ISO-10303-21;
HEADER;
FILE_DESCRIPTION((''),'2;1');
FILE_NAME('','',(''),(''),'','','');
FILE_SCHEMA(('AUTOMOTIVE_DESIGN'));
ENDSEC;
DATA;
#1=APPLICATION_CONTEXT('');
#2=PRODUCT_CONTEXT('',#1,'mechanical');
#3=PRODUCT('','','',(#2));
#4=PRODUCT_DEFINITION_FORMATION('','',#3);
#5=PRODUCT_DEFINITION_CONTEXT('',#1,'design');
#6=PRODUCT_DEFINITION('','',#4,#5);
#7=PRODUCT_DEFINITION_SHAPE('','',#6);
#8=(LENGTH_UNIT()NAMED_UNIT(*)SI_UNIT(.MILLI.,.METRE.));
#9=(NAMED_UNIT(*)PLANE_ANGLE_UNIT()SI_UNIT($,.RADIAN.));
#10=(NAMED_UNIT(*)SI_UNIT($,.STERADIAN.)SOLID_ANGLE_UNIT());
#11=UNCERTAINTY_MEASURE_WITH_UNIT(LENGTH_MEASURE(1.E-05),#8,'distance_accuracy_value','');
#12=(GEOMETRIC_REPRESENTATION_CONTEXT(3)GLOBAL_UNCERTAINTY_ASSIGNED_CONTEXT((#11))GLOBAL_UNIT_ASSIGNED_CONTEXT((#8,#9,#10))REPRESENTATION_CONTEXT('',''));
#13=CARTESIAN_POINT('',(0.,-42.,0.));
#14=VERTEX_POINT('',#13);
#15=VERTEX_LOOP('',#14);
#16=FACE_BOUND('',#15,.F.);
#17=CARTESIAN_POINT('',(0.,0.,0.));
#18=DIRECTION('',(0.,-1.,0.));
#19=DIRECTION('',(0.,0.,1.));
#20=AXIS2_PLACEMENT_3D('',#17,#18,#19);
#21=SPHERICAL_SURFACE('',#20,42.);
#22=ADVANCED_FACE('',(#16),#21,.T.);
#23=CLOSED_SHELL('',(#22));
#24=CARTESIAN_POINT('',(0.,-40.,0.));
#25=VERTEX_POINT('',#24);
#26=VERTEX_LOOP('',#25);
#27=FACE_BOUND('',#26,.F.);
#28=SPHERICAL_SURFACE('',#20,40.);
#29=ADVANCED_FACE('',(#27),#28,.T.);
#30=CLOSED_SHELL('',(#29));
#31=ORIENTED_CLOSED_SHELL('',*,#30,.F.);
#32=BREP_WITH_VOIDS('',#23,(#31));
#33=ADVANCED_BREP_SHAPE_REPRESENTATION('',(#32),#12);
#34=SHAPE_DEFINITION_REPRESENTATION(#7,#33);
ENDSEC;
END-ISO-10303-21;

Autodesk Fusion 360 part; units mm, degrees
sketch "スケッチ1" plane through (0, 0, 0) normal (1, 0, 0) x (0, 0, -1)
  arc A0 (0, 42) -> (0, -42) centre (0, 0) ccw
  arc A1 (0, 40) -> (0, -40) centre (0, 0) ccw
  line L0 (0, -42) -> (0, -40)
  line L1 (0, 40) -> (0, 42)
  dimension "d3" = 42
  dimension "d4" = 40
revolve "回転1" add sketch "スケッチ1" angle 360 about axis through (0, 1.75, 0) along (0, 1, 0)
